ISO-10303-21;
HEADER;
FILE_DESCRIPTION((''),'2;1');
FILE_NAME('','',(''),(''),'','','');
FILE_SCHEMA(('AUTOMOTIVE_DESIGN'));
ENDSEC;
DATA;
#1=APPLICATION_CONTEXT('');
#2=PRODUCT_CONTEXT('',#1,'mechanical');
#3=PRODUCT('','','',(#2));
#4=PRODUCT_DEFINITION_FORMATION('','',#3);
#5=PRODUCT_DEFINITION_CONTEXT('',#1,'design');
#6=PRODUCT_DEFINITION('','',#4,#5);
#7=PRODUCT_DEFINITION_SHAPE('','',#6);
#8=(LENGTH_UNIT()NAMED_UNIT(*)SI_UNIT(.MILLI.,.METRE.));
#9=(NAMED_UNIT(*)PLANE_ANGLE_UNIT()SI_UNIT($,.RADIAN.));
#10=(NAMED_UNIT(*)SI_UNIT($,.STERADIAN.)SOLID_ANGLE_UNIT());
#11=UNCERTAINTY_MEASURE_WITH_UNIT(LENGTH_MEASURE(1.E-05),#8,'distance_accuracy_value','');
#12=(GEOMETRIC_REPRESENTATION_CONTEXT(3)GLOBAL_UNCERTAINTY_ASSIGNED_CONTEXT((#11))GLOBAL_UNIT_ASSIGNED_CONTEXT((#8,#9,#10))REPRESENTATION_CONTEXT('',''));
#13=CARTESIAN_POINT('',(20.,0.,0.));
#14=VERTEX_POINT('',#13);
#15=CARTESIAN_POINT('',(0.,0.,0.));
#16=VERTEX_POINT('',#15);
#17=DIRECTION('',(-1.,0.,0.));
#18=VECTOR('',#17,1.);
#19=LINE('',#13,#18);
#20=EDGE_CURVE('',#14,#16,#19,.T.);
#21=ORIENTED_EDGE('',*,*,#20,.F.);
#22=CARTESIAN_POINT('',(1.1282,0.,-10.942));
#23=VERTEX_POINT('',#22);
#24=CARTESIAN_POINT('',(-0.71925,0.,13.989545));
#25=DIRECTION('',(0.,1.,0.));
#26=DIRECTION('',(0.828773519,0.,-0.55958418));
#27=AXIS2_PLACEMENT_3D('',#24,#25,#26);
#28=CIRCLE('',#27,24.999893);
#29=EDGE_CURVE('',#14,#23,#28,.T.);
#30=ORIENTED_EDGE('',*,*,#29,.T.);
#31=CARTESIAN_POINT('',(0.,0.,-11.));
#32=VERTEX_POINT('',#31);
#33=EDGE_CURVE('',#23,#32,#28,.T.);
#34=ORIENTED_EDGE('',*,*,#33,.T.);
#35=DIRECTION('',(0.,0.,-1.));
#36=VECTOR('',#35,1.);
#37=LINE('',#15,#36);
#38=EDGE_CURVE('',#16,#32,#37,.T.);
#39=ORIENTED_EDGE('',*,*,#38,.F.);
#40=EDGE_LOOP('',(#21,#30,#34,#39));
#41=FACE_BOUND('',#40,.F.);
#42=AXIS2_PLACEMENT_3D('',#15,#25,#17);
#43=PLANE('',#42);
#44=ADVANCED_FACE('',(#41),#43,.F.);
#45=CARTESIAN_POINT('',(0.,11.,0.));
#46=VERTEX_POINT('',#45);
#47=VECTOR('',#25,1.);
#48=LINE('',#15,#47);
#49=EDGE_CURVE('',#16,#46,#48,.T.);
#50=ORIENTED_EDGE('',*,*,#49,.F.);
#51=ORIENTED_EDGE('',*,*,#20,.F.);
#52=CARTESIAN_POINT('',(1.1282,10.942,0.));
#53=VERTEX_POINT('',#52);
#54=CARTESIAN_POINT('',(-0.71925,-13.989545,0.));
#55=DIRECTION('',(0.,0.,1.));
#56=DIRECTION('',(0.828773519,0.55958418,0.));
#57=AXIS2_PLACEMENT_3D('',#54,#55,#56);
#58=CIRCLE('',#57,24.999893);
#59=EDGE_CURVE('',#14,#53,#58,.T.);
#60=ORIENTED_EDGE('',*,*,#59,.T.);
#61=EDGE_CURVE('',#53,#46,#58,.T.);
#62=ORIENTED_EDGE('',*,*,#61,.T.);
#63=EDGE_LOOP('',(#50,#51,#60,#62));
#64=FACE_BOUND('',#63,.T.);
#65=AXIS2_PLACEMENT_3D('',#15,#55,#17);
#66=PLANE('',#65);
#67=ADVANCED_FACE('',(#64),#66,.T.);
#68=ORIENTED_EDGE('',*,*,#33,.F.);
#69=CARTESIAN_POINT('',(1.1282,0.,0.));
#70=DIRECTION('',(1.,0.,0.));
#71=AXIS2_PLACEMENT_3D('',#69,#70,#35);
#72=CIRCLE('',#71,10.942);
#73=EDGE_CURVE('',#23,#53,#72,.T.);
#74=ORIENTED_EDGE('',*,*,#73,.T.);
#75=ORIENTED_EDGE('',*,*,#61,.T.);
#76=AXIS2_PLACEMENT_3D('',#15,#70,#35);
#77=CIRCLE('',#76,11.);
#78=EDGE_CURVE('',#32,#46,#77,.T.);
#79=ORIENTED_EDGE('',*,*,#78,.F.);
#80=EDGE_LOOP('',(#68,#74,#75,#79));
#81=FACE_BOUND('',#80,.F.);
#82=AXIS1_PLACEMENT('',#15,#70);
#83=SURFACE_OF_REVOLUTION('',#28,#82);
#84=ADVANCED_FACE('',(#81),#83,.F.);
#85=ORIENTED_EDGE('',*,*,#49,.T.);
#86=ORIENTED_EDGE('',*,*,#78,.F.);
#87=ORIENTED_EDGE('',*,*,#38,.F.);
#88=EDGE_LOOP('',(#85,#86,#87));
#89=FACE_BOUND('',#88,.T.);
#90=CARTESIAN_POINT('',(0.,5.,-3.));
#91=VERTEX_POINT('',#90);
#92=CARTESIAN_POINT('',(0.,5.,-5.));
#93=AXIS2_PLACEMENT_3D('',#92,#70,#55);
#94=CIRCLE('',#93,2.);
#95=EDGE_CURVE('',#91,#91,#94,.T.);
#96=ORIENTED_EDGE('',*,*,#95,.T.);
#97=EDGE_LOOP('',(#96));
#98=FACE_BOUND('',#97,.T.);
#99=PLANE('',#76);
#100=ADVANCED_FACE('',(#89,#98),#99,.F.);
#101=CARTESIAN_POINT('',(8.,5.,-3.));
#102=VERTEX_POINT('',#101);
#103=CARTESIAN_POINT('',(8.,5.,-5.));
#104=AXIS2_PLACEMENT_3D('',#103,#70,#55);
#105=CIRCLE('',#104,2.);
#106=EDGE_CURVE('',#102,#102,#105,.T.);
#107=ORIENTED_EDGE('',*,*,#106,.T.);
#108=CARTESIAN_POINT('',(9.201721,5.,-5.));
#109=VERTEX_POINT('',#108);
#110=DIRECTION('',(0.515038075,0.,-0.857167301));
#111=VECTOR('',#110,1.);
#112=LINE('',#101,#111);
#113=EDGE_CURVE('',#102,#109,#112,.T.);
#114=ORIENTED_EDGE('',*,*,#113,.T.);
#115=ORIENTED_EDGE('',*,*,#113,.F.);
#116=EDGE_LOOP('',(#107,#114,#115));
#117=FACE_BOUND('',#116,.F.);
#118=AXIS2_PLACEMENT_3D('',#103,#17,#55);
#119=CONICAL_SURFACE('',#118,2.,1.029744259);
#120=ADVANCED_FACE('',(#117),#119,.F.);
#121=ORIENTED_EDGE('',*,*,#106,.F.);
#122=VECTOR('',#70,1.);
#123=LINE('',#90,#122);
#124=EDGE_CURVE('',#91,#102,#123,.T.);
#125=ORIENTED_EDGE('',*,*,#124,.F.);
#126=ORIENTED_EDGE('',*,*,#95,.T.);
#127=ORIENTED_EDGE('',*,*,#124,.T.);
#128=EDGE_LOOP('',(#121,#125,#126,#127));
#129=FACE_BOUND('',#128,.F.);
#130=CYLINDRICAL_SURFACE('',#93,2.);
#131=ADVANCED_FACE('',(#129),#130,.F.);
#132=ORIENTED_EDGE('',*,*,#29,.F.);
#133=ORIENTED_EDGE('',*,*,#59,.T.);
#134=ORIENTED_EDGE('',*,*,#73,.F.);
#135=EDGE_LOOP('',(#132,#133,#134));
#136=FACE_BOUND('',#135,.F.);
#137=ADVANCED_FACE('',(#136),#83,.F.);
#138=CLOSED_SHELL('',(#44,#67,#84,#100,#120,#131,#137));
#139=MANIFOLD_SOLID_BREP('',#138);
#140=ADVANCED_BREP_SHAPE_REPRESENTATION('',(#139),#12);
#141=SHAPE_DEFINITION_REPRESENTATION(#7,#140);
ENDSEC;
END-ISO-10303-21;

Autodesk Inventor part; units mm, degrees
ref_plane "YZ Plane" through (0, 0, 0) normal (1, 0, 0) x (0, 1, 0)
ref_plane "XZ Plane" through (0, 0, 0) normal (0, 1, 0) x (-1, 0, 0)
ref_plane "XY Plane" through (0, 0, 0) normal (0, 0, 1) x (1, 0, 0)
sketch "Sketch1" plane through (0, 0, 0) normal (0, 1, 0) x (-1, 0, 0)
  arc A0 (-1.1282, -10.942) -> (0, -11) centre (0, 0) ccw
  line L0 (0, 0) -> (0, -11)
  line L1 (0, 0) -> (-11, 0)
  line L2 (0, 0) -> (-20, 0)
  arc A1 (-20, 0) -> (0, -11) centre (0.7193, 13.9896) ccw
  dimension "d4" = 22
  dimension "d15" = 20
  dimension "d16" = 25
revolve "Revolution1" add sketch "Sketch1" angle 90 about axis through (0, 0, 0) along (1, 0, 0) contours A1 L2 L1 L0
sketch "Sketch2" plane through (0, 0, -11) normal (-1, 0, 0) x (0, 0, 1)
  line L0 (11, 0) -> (3.2218, 7.7782)
  arc A0 (11, 11) -> (0, 0) centre (11, 0) ccw projected
  line L1 (11, 11) -> (11, 0) projected
  point P0 (6, 5)
  dimension "d6" = 45
  dimension "d7" = 5
hole "Hole1" at (0, 5, -5) direction (1, 0, 0) diameter 4 depth 8 tip angle 118
properties part number "corner_insert"
